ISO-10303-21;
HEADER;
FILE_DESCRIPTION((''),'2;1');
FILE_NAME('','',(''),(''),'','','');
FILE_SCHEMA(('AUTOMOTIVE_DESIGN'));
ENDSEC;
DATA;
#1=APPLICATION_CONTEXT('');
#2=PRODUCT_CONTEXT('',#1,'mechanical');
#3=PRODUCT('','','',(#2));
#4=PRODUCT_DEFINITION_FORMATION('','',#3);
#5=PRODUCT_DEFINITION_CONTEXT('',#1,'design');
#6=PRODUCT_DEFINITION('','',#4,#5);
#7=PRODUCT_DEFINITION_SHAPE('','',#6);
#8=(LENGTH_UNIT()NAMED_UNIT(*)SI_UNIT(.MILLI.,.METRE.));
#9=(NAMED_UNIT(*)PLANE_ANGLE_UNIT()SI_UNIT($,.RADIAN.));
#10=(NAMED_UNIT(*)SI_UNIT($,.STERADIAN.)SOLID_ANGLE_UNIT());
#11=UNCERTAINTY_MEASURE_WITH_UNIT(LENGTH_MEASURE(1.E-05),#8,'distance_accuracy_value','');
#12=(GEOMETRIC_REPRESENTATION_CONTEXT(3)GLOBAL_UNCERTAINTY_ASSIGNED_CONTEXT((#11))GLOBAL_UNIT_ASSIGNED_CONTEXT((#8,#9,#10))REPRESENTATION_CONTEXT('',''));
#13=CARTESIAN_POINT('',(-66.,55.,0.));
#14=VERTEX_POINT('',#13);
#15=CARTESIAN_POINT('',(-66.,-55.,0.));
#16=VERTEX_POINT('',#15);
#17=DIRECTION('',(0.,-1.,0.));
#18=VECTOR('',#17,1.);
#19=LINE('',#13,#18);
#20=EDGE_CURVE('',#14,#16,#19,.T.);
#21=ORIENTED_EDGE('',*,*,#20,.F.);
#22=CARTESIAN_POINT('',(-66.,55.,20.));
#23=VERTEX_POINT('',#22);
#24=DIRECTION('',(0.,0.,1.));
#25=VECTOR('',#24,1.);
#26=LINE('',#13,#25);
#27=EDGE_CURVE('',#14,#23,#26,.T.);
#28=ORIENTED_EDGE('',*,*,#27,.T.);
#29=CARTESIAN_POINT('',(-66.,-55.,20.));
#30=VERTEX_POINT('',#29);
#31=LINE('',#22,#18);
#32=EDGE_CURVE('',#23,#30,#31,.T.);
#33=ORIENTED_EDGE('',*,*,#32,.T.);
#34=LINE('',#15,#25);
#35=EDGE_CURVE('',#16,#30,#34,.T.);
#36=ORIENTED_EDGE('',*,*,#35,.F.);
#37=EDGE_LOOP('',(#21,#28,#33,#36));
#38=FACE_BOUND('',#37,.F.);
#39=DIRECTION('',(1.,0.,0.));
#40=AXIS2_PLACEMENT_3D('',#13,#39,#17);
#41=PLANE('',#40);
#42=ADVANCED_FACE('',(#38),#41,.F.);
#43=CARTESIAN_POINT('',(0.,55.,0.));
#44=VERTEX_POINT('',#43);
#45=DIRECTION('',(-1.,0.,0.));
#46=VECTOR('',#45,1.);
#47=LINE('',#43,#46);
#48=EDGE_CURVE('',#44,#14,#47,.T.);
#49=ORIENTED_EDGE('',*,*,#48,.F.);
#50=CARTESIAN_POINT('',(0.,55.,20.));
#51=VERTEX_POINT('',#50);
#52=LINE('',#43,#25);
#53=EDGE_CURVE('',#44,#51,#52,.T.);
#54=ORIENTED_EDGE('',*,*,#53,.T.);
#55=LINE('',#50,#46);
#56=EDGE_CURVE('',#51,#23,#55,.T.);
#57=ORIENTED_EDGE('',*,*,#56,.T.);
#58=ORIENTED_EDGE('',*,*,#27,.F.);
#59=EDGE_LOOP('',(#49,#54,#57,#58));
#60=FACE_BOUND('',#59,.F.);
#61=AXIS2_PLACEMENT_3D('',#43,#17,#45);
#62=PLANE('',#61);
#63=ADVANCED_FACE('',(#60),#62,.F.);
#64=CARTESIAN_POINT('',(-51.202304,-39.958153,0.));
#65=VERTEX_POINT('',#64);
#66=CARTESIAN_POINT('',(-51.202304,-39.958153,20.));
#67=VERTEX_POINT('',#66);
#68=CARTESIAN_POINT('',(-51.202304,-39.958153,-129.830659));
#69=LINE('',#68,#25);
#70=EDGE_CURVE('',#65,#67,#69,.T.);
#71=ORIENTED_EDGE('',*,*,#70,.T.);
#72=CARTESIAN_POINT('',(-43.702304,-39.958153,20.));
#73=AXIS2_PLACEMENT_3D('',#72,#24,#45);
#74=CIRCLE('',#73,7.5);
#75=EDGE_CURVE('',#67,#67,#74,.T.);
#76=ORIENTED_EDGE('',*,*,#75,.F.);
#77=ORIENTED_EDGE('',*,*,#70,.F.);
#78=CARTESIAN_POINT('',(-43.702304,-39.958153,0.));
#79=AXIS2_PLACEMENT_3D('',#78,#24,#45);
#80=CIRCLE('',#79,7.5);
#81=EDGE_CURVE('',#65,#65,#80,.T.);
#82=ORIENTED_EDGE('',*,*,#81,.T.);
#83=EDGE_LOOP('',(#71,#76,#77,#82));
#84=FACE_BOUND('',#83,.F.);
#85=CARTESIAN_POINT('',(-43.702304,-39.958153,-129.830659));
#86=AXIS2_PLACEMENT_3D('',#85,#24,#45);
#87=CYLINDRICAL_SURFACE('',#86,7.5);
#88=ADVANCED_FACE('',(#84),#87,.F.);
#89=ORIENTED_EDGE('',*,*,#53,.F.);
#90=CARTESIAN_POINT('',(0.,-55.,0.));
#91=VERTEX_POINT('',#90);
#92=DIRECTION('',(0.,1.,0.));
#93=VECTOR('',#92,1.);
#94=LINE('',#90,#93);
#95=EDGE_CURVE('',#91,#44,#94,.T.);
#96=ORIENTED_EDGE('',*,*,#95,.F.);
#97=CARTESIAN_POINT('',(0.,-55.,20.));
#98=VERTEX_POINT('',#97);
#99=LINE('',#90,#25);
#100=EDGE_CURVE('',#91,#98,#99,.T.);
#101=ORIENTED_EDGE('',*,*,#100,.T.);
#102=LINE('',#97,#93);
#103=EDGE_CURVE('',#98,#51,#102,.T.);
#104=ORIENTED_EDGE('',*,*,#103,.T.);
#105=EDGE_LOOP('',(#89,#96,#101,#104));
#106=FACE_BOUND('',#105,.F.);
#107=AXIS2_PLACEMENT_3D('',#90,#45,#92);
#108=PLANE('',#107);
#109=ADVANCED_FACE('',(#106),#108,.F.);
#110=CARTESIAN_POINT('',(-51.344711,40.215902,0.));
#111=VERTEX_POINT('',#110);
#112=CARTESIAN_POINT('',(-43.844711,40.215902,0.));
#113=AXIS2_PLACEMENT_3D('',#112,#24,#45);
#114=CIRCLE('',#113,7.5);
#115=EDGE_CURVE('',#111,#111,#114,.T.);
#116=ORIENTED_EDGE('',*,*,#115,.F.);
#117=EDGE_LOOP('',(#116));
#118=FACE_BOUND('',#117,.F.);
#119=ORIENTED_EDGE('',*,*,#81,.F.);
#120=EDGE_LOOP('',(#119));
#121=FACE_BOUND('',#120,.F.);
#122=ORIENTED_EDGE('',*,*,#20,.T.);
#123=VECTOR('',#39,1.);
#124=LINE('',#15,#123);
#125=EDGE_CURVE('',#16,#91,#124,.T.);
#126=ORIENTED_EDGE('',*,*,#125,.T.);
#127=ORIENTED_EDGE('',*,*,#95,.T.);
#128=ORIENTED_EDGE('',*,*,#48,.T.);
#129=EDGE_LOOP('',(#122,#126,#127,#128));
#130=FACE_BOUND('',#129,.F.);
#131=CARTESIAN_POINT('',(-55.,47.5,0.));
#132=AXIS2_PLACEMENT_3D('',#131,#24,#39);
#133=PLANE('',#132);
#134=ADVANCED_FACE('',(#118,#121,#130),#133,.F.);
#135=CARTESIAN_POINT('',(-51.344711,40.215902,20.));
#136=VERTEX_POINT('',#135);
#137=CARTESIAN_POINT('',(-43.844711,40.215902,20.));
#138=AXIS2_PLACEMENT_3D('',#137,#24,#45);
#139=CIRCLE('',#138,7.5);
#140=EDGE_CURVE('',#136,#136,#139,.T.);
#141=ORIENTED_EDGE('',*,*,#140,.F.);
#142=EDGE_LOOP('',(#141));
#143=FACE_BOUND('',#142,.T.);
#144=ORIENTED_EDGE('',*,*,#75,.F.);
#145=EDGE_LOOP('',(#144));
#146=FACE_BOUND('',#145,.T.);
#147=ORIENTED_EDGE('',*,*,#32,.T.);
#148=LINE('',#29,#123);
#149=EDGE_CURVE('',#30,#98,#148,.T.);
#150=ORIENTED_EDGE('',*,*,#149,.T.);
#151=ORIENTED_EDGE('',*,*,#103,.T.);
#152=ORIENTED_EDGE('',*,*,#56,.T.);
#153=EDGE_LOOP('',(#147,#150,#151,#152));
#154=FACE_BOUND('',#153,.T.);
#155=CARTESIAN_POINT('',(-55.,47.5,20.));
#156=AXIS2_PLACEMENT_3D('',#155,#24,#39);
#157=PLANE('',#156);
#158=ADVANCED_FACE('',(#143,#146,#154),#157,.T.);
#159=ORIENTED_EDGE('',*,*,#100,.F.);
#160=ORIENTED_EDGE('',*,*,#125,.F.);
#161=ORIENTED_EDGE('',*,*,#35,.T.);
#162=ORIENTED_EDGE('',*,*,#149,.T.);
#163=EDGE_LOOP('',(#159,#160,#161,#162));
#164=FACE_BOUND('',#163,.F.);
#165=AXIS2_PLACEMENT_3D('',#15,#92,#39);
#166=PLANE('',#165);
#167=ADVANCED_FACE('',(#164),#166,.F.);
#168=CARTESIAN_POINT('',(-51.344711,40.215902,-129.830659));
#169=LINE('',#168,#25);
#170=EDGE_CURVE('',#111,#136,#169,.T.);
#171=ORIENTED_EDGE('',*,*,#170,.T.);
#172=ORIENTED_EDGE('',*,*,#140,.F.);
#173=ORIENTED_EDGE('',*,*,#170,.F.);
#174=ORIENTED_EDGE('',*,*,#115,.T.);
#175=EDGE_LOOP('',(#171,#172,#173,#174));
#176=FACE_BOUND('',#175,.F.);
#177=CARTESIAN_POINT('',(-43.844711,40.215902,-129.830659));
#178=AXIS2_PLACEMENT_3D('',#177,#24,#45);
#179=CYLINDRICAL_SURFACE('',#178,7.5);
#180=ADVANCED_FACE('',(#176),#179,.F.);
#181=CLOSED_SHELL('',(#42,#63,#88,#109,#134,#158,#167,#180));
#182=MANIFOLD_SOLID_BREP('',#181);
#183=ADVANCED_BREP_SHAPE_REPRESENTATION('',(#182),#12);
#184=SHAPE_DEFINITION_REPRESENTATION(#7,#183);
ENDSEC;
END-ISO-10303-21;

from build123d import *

# Parameters (mm, degrees)
F0_W     = 22
F0_H     = 15
F0_W_2   = 44
F0_H_2   = 80
F1_DEPTH = 20
F3_D     = 15


with BuildPart() as f1:
    # F0 (on Top) → F1 (new body)
    with BuildSketch(Plane.XY):
        with Locations((-55, 47.5)):
            Rectangle(F0_W, F0_H)
        with Locations((-22, 47.5)):
            Rectangle(F0_W_2, F0_H)
        Polygon((0, -40), (0, 0), (0, 40), (-44, 40), (-44, -40), align=None)
        with Locations((-55, 0)):
            Rectangle(F0_W, F0_H_2)
        with Locations((-55, -47.5)):
            Rectangle(F0_W, F0_H)
        with Locations((-22, -47.5)):
            Rectangle(F0_W_2, F0_H)
    extrude(amount=F1_DEPTH)

    # F3 (through all)
    with Locations(Plane(origin=(0, 0, 0), x_dir=(1, 0, 0), z_dir=(0, 0, -1))):
        with Locations((-43.8447110355, -40.2159020305), (-43.7023043633, 39.95815292)):
            Hole(F3_D / 2)


solid = f1.part
